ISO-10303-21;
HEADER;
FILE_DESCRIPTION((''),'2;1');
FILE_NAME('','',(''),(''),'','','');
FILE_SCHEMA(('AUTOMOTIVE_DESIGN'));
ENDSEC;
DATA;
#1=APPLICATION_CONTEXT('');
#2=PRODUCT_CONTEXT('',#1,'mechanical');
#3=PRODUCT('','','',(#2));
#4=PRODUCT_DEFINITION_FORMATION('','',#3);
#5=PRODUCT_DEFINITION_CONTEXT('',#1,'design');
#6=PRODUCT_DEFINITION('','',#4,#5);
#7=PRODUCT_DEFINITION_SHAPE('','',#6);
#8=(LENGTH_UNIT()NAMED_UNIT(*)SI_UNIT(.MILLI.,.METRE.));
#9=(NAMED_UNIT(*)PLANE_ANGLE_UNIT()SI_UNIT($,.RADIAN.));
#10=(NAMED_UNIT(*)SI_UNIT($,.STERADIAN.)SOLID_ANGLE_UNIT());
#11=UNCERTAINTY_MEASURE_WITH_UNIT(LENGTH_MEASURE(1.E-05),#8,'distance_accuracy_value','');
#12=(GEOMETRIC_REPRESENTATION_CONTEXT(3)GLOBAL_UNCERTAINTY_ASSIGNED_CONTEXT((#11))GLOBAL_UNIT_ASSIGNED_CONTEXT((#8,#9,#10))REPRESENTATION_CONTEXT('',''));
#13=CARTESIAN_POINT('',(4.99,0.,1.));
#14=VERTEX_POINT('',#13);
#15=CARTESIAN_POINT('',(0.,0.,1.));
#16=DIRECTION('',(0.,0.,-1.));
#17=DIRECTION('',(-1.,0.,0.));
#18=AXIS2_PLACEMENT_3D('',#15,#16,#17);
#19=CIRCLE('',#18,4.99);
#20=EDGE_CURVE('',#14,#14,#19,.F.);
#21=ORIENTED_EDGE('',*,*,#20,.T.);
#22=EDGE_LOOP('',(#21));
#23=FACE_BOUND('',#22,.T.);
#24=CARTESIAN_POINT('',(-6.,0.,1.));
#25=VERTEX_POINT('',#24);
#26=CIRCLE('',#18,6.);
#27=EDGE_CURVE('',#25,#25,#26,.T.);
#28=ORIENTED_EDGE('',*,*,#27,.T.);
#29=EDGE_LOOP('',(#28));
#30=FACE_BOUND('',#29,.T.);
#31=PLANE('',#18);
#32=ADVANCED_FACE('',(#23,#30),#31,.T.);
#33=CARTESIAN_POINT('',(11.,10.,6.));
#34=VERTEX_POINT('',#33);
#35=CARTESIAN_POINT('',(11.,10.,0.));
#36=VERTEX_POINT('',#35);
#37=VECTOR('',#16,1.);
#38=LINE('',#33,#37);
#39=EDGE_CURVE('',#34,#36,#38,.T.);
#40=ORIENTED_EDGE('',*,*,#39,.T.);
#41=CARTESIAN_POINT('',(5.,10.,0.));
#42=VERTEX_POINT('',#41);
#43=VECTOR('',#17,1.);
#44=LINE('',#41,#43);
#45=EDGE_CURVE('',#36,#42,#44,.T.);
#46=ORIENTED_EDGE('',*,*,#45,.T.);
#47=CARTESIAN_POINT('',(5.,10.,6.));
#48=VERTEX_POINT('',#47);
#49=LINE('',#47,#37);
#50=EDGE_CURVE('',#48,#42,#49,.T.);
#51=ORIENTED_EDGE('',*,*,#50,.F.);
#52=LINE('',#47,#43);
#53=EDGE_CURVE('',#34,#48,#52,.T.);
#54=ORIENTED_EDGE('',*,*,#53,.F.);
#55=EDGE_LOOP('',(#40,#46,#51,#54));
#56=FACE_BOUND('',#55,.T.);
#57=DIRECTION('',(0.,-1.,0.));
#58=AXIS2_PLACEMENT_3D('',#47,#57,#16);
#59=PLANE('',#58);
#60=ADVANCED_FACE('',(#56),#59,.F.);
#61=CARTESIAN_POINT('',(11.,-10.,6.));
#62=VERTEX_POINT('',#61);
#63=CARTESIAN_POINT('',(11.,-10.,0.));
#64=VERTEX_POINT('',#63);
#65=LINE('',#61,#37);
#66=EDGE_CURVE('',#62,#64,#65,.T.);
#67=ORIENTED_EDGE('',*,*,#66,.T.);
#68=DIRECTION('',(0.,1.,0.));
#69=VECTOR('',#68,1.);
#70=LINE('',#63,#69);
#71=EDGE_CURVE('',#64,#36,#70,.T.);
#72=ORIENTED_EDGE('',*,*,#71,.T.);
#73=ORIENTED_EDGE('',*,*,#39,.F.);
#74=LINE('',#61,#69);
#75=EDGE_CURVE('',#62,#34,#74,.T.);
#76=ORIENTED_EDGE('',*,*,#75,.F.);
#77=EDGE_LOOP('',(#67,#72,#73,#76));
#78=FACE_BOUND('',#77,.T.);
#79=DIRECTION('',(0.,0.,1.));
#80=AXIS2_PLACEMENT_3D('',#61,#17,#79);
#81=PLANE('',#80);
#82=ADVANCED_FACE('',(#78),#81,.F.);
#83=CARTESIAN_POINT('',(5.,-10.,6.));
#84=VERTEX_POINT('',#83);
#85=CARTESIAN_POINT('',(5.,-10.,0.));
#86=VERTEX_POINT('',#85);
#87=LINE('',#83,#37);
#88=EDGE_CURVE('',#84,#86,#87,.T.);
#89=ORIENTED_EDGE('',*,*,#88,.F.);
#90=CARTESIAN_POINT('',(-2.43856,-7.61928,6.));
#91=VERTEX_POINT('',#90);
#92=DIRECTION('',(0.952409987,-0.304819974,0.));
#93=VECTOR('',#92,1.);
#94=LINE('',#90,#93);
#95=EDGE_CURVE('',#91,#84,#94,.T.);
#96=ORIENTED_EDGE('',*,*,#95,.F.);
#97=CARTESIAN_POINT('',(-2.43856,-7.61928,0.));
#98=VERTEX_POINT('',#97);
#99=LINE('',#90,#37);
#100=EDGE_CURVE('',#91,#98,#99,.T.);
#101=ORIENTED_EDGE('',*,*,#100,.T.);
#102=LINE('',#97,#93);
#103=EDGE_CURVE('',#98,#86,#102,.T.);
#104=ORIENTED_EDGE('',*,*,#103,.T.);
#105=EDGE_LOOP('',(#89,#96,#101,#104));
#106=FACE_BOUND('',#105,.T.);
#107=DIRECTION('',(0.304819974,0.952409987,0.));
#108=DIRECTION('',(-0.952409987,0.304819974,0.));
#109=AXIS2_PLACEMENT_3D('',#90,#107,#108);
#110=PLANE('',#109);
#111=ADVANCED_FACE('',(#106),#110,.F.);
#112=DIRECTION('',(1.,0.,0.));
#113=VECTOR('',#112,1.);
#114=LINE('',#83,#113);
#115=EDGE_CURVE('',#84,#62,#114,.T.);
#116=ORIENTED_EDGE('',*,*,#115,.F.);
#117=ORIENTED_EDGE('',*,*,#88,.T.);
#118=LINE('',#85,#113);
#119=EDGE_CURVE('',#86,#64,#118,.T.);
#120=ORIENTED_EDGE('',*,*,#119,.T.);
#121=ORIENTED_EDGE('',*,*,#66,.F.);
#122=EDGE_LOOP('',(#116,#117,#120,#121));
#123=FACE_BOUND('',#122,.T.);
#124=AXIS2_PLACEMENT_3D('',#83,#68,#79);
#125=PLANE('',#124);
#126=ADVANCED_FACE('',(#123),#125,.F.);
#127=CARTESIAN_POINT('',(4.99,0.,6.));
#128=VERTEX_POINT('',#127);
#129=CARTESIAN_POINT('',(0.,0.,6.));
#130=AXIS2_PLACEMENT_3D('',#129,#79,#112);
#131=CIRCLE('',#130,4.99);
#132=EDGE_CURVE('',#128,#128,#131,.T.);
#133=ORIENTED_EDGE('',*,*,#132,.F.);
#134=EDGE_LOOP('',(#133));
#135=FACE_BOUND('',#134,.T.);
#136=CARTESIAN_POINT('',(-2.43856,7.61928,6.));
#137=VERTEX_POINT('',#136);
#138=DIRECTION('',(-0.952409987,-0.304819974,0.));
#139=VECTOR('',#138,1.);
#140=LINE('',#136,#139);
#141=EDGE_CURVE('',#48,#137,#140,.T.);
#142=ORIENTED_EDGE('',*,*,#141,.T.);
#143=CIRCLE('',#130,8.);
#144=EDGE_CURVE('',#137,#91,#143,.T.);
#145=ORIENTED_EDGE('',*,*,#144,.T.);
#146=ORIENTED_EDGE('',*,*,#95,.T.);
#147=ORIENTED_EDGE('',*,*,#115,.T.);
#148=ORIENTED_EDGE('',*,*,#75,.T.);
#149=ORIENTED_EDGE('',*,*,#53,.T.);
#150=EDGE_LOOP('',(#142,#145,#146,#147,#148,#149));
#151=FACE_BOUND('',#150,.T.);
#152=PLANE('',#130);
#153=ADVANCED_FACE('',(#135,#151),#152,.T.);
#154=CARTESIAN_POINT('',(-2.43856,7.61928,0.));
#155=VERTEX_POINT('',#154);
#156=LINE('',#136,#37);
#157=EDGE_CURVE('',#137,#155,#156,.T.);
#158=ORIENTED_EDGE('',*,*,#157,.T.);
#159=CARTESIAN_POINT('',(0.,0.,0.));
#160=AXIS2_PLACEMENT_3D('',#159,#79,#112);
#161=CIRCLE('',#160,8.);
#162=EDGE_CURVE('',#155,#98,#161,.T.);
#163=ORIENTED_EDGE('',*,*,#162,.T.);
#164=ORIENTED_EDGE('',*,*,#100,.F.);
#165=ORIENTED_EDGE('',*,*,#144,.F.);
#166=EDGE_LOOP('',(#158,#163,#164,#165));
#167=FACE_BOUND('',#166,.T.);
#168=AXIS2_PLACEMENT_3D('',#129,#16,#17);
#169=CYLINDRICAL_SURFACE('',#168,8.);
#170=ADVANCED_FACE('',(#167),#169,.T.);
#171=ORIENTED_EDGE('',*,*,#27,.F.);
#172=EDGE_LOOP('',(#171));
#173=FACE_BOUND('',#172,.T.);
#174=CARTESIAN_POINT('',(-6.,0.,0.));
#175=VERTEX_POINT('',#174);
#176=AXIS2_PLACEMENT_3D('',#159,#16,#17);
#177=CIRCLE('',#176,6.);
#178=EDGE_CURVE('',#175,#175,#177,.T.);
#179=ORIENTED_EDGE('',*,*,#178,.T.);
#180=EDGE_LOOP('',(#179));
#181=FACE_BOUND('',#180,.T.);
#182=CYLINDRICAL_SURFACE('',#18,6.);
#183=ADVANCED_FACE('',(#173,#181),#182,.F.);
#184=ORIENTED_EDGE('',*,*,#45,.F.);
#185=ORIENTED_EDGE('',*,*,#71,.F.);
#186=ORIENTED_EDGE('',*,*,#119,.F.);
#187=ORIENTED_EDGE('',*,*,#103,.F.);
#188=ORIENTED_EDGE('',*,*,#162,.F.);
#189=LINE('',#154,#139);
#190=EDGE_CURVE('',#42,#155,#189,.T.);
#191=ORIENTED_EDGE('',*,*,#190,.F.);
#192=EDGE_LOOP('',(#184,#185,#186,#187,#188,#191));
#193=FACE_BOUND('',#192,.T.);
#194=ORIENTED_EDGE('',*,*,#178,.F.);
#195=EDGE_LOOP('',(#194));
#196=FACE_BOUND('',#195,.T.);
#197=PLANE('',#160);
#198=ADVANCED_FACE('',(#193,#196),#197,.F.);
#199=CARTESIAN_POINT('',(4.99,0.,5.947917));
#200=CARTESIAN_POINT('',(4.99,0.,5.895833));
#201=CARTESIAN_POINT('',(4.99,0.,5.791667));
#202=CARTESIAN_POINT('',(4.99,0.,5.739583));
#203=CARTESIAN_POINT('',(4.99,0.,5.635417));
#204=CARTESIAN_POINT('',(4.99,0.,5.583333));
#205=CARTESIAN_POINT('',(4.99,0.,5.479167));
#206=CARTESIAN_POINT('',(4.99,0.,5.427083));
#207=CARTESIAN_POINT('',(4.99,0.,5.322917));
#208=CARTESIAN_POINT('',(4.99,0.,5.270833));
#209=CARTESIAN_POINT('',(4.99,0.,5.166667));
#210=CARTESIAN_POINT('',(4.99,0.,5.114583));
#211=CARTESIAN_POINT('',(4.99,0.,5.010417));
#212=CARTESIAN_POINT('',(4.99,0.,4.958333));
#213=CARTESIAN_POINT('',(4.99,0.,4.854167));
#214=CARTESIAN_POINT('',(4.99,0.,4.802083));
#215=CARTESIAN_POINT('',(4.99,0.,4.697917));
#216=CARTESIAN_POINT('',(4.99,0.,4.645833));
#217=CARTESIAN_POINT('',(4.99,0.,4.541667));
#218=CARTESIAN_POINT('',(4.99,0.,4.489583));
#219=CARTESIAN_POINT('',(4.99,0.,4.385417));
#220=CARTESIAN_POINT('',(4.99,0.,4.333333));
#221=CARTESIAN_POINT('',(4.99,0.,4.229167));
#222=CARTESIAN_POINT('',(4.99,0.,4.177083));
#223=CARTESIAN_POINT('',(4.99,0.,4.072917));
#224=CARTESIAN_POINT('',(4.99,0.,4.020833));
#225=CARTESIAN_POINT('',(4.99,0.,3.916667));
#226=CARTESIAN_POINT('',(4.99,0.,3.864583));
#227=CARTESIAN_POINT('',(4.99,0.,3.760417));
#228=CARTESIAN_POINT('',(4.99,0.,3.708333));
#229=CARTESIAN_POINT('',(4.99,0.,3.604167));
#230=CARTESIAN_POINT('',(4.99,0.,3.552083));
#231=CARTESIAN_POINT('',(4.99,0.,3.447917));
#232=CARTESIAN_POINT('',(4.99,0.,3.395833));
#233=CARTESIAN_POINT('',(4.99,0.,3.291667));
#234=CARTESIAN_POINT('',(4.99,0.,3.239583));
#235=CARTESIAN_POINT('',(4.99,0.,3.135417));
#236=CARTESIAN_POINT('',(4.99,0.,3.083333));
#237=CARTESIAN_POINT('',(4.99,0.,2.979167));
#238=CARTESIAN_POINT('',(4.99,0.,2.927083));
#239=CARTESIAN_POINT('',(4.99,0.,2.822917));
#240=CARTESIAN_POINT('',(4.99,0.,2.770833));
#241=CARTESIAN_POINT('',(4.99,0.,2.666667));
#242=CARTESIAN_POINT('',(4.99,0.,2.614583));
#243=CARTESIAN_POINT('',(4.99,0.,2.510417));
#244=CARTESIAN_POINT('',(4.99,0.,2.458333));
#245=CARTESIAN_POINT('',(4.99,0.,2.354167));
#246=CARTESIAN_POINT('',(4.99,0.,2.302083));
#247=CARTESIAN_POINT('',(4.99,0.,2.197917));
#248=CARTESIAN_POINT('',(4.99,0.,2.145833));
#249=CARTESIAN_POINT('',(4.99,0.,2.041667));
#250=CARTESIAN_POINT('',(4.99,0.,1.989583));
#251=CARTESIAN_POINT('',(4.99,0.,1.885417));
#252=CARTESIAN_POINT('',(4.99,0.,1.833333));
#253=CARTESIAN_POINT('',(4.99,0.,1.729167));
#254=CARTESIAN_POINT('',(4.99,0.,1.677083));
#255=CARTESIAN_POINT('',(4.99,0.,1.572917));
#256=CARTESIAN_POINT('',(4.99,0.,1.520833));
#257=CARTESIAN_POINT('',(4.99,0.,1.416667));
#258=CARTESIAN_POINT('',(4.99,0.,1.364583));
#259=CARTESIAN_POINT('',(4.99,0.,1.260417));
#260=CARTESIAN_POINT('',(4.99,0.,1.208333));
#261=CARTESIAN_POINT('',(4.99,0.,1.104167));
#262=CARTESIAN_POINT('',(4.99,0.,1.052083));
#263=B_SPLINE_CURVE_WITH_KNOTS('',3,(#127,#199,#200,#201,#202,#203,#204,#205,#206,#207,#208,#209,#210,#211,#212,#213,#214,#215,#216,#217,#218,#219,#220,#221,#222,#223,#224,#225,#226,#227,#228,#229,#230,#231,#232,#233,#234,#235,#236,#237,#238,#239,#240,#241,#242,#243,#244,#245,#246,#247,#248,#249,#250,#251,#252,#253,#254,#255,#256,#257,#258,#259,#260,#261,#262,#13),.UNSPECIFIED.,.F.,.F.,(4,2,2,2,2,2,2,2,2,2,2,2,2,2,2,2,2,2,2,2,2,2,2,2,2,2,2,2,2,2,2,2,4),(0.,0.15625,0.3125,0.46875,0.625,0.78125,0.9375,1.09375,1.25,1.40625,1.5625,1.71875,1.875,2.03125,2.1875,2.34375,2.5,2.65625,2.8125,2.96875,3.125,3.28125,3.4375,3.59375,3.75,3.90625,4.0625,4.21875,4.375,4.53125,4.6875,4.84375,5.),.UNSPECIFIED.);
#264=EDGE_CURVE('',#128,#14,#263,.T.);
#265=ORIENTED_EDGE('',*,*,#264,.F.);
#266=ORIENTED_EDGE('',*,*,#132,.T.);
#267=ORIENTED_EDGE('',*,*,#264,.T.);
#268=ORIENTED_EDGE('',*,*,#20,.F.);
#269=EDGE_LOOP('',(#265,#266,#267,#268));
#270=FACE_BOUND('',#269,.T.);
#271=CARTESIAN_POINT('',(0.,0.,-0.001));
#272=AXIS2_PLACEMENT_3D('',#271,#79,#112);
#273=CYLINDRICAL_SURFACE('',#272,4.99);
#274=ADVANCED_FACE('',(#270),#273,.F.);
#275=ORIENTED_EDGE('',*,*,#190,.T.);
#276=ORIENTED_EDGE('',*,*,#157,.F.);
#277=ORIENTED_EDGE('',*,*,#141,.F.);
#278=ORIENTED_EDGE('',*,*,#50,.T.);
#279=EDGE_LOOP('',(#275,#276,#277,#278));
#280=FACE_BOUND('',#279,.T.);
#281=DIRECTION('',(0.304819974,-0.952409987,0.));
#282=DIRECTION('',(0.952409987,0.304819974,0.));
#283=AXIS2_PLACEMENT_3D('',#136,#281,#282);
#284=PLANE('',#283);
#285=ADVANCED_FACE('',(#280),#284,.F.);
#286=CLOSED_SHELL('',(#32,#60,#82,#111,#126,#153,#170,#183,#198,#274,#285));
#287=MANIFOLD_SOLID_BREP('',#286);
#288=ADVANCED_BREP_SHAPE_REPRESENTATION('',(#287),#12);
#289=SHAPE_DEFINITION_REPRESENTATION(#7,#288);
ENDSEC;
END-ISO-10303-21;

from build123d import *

# Parameters (mm, degrees)
SKETCH1_R           = 4
BOSS_EXTRUDE1_DEPTH = 6
CUT_EXTRUDE1_REACH  = 18.031
SKETCH4_R           = 4.99
SKETCH6_R           = 6
CUT_EXTRUDE3_DEPTH  = 1


with BuildPart() as part:
    # Sketch1 → Boss-Extrude1 (new body)
    with BuildSketch(Plane.XY):
        with BuildLine():
            Line((-2.438559793, 7.619279896), (5, 10))
            Line((5, 10), (11, 10))
            Line((11, 10), (11, -10))
            Line((11, -10), (5, -10))
            Line((5, -10), (-2.438559793, -7.619279896))
            ThreePointArc((-2.438559793, -7.619279896), (-8, 0), (-2.438559793, 7.619279896))
        make_face()
        Circle(SKETCH1_R, mode=Mode.SUBTRACT)
    extrude(amount=BOSS_EXTRUDE1_DEPTH)

    # Sketch4 → Cut-Extrude1 (cut, up to next)
    with BuildSketch(Plane.XY.offset(6), mode=Mode.PRIVATE) as cut_extrude1_sk1:
        Circle(SKETCH4_R)
    cut_extrude1_tool1 = extrude(cut_extrude1_sk1.sketch, amount=-CUT_EXTRUDE1_REACH, mode=Mode.PRIVATE) & part.part
    add(cut_extrude1_tool1.solids().sort_by_distance((0, 0, 6))[0], mode=Mode.SUBTRACT)

    # Sketch6 → Cut-Extrude3 (cut)
    with BuildSketch(Plane(origin=(0, 0, 0), x_dir=(-1, 0, 0), z_dir=(0, 0, -1))):
        Circle(SKETCH6_R)
    extrude(amount=-CUT_EXTRUDE3_DEPTH, mode=Mode.SUBTRACT)


solid = part.part
